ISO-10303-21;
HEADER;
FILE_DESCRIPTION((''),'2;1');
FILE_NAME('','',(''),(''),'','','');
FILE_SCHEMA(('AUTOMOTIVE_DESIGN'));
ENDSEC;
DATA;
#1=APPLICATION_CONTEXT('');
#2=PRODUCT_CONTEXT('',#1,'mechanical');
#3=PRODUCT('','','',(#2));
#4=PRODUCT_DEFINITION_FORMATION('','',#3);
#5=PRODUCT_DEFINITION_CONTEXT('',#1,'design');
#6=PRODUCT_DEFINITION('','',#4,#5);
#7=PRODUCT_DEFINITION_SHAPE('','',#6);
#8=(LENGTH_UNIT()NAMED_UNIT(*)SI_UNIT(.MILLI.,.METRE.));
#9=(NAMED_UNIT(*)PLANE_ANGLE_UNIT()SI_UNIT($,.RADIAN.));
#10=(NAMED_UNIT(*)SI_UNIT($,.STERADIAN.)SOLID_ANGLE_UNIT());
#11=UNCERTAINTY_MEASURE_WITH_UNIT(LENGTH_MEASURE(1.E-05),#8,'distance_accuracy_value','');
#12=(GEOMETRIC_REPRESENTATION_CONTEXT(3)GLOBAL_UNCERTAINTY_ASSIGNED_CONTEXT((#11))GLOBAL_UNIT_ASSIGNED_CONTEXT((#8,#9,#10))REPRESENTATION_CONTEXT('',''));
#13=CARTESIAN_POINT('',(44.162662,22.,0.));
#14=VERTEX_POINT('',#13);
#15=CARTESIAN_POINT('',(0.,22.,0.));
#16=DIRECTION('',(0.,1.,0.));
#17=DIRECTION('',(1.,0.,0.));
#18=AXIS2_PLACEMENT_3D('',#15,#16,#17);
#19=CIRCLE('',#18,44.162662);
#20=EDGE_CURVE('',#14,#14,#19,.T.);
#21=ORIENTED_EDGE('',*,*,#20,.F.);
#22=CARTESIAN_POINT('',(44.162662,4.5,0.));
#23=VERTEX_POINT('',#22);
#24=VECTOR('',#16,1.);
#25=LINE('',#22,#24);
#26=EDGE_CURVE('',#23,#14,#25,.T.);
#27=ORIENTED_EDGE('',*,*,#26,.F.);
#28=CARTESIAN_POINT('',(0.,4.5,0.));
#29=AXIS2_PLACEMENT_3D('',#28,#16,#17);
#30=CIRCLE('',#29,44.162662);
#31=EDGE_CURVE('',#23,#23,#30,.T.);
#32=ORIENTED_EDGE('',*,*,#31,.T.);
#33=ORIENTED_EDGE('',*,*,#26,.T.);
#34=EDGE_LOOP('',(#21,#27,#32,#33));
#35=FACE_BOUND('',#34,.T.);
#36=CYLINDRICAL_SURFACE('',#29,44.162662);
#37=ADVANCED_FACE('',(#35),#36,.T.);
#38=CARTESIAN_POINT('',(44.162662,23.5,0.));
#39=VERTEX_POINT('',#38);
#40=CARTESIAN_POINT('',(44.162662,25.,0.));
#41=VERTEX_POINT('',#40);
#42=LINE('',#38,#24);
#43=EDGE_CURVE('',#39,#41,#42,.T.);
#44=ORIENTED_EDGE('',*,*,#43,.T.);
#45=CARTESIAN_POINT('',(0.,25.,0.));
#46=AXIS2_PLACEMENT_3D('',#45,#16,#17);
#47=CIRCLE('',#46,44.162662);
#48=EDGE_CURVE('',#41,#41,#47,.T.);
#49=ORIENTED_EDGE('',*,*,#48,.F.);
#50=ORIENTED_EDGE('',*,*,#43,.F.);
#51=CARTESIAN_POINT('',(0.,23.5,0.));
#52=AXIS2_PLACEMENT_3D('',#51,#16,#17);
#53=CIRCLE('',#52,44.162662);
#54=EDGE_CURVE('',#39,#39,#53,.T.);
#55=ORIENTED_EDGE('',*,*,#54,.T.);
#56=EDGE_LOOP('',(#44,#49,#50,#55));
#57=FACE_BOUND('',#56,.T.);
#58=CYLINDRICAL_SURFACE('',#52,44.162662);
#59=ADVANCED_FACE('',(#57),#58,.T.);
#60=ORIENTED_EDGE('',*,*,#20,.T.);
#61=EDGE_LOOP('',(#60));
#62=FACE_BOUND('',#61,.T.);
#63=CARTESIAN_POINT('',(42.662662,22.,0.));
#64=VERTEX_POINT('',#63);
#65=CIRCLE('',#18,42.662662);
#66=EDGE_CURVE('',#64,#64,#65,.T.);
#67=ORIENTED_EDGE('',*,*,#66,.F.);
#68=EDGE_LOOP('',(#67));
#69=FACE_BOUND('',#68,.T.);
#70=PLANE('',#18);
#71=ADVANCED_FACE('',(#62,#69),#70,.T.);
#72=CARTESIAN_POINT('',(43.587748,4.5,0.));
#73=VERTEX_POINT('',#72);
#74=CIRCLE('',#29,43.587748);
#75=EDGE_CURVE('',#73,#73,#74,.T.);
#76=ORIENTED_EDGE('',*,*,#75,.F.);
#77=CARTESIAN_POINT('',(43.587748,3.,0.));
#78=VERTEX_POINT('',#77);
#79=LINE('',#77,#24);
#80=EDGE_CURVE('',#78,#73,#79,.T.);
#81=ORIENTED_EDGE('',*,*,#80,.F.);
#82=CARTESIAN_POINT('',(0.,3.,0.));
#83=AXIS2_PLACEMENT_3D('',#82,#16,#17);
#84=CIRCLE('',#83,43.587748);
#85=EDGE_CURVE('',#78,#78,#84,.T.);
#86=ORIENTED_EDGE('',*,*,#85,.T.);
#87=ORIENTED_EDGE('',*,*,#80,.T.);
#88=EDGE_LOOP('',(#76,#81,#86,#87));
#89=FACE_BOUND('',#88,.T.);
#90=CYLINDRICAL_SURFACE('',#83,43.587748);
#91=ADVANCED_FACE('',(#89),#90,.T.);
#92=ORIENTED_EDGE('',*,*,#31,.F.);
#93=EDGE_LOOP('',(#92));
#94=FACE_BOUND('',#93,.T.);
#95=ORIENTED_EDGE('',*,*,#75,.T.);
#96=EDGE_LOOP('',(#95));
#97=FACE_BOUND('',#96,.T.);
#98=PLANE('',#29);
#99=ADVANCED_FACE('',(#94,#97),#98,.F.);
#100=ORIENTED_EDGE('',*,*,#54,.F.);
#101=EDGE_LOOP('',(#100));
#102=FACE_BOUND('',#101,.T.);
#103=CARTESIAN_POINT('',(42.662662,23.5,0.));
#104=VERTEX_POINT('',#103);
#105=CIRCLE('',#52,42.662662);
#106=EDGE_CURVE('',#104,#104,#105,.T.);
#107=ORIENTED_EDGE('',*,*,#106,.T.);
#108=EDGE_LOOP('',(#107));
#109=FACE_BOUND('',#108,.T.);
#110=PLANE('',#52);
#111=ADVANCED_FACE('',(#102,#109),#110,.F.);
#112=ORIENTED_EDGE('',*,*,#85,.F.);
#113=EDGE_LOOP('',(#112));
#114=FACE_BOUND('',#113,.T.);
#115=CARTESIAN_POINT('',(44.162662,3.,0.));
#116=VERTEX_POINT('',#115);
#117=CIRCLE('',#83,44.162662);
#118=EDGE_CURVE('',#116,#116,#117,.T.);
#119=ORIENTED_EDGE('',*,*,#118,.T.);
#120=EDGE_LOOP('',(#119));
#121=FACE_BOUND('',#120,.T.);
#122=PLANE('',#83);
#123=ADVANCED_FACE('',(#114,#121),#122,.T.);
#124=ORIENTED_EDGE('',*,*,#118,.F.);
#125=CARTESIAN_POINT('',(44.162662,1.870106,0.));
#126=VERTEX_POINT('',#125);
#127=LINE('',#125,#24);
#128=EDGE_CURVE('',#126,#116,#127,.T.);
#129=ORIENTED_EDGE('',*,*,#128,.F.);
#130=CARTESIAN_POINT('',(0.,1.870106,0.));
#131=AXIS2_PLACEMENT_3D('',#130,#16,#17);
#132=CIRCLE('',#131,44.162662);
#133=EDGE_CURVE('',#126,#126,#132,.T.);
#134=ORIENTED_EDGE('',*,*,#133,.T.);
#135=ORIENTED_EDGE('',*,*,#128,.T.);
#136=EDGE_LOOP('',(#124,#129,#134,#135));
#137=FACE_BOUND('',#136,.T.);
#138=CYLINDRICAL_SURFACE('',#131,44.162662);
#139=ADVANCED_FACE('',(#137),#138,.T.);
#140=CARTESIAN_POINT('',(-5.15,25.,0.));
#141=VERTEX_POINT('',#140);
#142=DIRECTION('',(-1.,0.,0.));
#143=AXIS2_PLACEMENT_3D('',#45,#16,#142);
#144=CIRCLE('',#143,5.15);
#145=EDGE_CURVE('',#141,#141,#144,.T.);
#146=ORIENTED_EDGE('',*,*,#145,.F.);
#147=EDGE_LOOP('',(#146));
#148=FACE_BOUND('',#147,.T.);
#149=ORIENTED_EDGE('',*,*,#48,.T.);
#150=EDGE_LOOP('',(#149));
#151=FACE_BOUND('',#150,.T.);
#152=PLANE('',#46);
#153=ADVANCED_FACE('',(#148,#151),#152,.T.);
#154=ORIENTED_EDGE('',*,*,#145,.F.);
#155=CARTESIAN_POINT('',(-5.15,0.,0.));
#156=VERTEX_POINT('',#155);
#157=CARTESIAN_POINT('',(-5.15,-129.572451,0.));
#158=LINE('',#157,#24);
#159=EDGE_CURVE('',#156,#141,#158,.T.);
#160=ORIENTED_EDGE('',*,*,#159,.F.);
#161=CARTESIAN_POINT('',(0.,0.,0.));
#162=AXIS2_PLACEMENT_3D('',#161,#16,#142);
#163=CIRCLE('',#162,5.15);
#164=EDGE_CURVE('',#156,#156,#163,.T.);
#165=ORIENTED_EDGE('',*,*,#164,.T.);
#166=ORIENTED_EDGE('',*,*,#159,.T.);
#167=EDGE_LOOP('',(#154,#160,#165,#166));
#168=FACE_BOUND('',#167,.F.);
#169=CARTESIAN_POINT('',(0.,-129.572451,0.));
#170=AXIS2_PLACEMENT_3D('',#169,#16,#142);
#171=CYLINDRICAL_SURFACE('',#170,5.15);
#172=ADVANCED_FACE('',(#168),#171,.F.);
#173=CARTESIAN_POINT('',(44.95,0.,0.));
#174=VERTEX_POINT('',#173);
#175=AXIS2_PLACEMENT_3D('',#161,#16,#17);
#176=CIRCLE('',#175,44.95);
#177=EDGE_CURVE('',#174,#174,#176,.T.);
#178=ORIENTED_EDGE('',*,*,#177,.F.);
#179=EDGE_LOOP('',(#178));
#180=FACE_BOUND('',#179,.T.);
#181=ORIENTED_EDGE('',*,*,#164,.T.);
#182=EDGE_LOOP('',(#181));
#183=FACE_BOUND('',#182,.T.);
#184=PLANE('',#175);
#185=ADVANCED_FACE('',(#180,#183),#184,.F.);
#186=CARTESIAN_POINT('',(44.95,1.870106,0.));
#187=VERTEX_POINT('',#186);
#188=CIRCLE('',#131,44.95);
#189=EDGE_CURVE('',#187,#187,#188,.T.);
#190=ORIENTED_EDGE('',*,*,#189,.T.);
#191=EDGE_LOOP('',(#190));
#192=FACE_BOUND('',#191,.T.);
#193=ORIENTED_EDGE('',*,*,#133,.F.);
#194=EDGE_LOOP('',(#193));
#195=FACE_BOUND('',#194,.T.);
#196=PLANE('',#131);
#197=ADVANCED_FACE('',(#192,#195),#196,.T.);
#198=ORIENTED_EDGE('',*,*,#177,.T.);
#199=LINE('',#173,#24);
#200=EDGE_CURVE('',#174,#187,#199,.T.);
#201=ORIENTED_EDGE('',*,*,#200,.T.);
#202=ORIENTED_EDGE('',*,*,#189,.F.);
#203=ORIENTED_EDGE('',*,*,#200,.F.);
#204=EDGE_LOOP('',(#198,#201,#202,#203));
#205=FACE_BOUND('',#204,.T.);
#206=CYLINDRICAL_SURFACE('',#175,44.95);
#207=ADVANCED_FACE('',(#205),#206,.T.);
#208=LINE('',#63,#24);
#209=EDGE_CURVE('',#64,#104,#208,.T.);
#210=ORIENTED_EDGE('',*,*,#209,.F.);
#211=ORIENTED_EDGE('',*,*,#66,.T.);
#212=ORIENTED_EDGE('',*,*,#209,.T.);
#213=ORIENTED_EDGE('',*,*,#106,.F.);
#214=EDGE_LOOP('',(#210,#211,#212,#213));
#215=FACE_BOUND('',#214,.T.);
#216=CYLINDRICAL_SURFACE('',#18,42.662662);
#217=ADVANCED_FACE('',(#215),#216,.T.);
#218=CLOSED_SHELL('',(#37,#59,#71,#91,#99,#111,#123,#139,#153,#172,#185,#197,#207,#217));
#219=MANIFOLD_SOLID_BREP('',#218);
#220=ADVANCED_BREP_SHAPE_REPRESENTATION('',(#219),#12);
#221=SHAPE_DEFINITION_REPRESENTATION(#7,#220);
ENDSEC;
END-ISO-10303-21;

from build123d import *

# Parameters (mm, degrees)
F3_D = 10.3


with BuildPart() as f1:
    # F0 (on Top) → F1 (revolve)
    with BuildSketch(Plane.XY):
        Polygon((0, 25), (0, 0), (44.95, 0), (44.95, 1.8701055199), (44.1626615226, 1.8701055199), (44.1626615226, 3), (43.5877479613, 3), (43.5877479613, 4.5), (44.1626615226, 4.5), (44.1626615226, 22), (42.6626615226, 22), (42.6626615226, 23.5), (44.1626615226, 23.5), (44.1626615226, 25), align=None)
    revolve(axis=Axis((0, 12.5, 0), (0, 1, 0)))

    # F3 (through all)
    with Locations(Plane.XZ):
        with Locations((0, 0)):
            Hole(F3_D / 2)


solid = f1.part
